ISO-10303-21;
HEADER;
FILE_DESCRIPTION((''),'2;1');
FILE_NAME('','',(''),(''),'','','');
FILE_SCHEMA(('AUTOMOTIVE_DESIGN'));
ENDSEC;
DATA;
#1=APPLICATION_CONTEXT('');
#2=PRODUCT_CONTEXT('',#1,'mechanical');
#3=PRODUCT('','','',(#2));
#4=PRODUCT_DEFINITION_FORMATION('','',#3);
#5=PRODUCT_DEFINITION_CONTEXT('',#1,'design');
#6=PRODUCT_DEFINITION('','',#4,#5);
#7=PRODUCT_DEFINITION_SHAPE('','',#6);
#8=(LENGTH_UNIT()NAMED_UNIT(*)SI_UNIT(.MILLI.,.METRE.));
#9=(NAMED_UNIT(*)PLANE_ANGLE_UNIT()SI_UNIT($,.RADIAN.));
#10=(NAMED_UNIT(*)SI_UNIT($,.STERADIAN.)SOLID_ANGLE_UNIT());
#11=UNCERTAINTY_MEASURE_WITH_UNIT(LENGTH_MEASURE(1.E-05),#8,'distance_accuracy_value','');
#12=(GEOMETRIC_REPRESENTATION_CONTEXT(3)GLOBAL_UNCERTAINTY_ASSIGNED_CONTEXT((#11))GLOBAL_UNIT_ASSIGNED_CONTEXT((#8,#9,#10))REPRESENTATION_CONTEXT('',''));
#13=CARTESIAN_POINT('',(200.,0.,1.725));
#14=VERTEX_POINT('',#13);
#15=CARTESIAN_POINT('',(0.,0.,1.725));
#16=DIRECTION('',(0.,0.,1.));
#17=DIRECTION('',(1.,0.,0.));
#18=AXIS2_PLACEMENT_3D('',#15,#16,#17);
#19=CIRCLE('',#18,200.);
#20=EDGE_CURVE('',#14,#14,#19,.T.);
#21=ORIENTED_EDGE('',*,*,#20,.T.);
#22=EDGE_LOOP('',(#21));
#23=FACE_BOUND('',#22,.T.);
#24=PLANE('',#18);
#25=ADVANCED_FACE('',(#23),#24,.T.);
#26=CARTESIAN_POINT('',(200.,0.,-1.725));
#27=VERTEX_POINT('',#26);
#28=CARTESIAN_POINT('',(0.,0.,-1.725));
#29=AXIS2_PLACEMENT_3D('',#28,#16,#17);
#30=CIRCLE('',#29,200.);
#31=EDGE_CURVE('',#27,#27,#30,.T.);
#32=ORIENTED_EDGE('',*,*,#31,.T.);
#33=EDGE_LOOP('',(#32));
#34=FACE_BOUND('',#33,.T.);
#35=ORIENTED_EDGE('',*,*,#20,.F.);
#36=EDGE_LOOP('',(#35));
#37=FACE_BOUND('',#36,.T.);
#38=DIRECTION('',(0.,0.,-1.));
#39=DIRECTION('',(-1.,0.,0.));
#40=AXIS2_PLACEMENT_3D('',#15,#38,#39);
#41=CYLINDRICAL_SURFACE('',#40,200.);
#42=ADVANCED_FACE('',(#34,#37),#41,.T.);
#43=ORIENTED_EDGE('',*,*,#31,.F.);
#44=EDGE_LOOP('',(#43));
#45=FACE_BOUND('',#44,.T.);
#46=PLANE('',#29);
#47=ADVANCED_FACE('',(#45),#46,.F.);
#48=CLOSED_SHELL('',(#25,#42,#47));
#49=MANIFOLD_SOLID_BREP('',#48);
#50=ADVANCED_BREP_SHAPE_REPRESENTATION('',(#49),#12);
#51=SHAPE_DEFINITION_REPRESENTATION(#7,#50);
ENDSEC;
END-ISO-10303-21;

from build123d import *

# Parameters (mm, degrees)
SKETCH2_R           = 200
BOSS_EXTRUDE1_DEPTH = 1.725


with BuildPart() as part:
    # Sketch2 → Boss-Extrude1 (new body, symmetric)
    with BuildSketch(Plane.XY):
        Circle(SKETCH2_R)
    extrude(amount=BOSS_EXTRUDE1_DEPTH, both=True)


solid = part.part
